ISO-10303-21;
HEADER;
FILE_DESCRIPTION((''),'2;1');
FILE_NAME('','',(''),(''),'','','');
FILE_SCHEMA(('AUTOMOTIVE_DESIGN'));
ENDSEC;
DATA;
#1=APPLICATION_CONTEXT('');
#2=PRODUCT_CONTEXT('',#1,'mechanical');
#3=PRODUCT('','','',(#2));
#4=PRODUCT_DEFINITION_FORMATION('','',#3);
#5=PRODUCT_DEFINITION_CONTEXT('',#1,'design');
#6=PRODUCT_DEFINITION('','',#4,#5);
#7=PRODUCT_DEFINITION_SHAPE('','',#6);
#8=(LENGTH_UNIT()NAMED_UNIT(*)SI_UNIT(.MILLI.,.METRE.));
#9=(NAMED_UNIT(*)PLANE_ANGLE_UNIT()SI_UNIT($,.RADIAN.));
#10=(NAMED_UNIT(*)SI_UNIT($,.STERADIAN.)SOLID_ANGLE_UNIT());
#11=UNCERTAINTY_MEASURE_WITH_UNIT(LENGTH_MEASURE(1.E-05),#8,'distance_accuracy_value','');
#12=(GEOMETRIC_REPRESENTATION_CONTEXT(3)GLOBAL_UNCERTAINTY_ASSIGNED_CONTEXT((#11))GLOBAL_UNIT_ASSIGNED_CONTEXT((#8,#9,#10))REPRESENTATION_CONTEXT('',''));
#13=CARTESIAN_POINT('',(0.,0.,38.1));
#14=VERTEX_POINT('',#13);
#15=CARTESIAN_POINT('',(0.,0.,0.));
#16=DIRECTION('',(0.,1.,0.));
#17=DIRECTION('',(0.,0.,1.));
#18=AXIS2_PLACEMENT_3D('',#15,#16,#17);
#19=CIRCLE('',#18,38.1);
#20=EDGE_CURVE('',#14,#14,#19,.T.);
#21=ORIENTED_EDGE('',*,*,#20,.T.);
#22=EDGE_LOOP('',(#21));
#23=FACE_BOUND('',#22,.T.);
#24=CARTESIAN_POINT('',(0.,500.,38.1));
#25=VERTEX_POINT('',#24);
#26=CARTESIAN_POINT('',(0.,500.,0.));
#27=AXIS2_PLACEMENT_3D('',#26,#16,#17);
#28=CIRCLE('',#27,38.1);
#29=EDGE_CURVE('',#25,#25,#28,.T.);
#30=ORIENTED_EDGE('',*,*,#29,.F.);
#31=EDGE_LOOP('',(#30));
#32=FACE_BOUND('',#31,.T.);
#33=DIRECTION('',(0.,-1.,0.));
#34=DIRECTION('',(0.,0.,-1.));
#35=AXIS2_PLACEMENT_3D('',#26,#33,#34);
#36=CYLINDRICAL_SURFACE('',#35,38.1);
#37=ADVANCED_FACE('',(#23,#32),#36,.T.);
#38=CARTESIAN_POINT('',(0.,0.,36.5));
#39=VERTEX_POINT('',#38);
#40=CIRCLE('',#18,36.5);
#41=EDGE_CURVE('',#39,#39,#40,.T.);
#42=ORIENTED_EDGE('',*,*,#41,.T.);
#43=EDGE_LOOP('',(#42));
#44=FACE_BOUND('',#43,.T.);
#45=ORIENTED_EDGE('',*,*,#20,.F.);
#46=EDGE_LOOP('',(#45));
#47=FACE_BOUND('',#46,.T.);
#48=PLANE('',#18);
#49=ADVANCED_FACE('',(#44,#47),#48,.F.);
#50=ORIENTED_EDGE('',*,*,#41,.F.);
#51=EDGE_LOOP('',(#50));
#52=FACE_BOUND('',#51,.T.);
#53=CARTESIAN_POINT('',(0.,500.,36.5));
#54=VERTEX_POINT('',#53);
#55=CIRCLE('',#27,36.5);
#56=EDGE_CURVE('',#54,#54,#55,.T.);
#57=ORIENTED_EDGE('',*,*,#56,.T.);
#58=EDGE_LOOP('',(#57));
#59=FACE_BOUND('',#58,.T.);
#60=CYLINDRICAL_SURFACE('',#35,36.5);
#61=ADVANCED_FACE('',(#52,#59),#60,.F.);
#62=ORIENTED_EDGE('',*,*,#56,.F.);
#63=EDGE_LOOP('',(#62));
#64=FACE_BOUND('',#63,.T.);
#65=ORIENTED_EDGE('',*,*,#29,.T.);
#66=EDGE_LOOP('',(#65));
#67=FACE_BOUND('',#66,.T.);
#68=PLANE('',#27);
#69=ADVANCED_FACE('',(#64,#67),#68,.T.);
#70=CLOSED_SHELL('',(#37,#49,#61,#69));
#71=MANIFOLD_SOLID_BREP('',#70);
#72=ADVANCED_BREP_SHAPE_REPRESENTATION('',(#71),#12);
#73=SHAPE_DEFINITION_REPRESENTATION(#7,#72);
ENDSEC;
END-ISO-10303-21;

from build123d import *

# Parameters (mm, degrees)
SKETCH1_R           = 38.1
SKETCH1_R_2         = 36.5
BOSS_EXTRUDE1_DEPTH = 500


with BuildPart() as part:
    # Sketch1 → Boss-Extrude1 (new body)
    with BuildSketch(Plane(origin=(0, 0, 0), x_dir=(1, 0, 0), z_dir=(0, 1, 0))):
        Circle(SKETCH1_R)
        Circle(SKETCH1_R_2, mode=Mode.SUBTRACT)
    extrude(amount=BOSS_EXTRUDE1_DEPTH)


solid = part.part
